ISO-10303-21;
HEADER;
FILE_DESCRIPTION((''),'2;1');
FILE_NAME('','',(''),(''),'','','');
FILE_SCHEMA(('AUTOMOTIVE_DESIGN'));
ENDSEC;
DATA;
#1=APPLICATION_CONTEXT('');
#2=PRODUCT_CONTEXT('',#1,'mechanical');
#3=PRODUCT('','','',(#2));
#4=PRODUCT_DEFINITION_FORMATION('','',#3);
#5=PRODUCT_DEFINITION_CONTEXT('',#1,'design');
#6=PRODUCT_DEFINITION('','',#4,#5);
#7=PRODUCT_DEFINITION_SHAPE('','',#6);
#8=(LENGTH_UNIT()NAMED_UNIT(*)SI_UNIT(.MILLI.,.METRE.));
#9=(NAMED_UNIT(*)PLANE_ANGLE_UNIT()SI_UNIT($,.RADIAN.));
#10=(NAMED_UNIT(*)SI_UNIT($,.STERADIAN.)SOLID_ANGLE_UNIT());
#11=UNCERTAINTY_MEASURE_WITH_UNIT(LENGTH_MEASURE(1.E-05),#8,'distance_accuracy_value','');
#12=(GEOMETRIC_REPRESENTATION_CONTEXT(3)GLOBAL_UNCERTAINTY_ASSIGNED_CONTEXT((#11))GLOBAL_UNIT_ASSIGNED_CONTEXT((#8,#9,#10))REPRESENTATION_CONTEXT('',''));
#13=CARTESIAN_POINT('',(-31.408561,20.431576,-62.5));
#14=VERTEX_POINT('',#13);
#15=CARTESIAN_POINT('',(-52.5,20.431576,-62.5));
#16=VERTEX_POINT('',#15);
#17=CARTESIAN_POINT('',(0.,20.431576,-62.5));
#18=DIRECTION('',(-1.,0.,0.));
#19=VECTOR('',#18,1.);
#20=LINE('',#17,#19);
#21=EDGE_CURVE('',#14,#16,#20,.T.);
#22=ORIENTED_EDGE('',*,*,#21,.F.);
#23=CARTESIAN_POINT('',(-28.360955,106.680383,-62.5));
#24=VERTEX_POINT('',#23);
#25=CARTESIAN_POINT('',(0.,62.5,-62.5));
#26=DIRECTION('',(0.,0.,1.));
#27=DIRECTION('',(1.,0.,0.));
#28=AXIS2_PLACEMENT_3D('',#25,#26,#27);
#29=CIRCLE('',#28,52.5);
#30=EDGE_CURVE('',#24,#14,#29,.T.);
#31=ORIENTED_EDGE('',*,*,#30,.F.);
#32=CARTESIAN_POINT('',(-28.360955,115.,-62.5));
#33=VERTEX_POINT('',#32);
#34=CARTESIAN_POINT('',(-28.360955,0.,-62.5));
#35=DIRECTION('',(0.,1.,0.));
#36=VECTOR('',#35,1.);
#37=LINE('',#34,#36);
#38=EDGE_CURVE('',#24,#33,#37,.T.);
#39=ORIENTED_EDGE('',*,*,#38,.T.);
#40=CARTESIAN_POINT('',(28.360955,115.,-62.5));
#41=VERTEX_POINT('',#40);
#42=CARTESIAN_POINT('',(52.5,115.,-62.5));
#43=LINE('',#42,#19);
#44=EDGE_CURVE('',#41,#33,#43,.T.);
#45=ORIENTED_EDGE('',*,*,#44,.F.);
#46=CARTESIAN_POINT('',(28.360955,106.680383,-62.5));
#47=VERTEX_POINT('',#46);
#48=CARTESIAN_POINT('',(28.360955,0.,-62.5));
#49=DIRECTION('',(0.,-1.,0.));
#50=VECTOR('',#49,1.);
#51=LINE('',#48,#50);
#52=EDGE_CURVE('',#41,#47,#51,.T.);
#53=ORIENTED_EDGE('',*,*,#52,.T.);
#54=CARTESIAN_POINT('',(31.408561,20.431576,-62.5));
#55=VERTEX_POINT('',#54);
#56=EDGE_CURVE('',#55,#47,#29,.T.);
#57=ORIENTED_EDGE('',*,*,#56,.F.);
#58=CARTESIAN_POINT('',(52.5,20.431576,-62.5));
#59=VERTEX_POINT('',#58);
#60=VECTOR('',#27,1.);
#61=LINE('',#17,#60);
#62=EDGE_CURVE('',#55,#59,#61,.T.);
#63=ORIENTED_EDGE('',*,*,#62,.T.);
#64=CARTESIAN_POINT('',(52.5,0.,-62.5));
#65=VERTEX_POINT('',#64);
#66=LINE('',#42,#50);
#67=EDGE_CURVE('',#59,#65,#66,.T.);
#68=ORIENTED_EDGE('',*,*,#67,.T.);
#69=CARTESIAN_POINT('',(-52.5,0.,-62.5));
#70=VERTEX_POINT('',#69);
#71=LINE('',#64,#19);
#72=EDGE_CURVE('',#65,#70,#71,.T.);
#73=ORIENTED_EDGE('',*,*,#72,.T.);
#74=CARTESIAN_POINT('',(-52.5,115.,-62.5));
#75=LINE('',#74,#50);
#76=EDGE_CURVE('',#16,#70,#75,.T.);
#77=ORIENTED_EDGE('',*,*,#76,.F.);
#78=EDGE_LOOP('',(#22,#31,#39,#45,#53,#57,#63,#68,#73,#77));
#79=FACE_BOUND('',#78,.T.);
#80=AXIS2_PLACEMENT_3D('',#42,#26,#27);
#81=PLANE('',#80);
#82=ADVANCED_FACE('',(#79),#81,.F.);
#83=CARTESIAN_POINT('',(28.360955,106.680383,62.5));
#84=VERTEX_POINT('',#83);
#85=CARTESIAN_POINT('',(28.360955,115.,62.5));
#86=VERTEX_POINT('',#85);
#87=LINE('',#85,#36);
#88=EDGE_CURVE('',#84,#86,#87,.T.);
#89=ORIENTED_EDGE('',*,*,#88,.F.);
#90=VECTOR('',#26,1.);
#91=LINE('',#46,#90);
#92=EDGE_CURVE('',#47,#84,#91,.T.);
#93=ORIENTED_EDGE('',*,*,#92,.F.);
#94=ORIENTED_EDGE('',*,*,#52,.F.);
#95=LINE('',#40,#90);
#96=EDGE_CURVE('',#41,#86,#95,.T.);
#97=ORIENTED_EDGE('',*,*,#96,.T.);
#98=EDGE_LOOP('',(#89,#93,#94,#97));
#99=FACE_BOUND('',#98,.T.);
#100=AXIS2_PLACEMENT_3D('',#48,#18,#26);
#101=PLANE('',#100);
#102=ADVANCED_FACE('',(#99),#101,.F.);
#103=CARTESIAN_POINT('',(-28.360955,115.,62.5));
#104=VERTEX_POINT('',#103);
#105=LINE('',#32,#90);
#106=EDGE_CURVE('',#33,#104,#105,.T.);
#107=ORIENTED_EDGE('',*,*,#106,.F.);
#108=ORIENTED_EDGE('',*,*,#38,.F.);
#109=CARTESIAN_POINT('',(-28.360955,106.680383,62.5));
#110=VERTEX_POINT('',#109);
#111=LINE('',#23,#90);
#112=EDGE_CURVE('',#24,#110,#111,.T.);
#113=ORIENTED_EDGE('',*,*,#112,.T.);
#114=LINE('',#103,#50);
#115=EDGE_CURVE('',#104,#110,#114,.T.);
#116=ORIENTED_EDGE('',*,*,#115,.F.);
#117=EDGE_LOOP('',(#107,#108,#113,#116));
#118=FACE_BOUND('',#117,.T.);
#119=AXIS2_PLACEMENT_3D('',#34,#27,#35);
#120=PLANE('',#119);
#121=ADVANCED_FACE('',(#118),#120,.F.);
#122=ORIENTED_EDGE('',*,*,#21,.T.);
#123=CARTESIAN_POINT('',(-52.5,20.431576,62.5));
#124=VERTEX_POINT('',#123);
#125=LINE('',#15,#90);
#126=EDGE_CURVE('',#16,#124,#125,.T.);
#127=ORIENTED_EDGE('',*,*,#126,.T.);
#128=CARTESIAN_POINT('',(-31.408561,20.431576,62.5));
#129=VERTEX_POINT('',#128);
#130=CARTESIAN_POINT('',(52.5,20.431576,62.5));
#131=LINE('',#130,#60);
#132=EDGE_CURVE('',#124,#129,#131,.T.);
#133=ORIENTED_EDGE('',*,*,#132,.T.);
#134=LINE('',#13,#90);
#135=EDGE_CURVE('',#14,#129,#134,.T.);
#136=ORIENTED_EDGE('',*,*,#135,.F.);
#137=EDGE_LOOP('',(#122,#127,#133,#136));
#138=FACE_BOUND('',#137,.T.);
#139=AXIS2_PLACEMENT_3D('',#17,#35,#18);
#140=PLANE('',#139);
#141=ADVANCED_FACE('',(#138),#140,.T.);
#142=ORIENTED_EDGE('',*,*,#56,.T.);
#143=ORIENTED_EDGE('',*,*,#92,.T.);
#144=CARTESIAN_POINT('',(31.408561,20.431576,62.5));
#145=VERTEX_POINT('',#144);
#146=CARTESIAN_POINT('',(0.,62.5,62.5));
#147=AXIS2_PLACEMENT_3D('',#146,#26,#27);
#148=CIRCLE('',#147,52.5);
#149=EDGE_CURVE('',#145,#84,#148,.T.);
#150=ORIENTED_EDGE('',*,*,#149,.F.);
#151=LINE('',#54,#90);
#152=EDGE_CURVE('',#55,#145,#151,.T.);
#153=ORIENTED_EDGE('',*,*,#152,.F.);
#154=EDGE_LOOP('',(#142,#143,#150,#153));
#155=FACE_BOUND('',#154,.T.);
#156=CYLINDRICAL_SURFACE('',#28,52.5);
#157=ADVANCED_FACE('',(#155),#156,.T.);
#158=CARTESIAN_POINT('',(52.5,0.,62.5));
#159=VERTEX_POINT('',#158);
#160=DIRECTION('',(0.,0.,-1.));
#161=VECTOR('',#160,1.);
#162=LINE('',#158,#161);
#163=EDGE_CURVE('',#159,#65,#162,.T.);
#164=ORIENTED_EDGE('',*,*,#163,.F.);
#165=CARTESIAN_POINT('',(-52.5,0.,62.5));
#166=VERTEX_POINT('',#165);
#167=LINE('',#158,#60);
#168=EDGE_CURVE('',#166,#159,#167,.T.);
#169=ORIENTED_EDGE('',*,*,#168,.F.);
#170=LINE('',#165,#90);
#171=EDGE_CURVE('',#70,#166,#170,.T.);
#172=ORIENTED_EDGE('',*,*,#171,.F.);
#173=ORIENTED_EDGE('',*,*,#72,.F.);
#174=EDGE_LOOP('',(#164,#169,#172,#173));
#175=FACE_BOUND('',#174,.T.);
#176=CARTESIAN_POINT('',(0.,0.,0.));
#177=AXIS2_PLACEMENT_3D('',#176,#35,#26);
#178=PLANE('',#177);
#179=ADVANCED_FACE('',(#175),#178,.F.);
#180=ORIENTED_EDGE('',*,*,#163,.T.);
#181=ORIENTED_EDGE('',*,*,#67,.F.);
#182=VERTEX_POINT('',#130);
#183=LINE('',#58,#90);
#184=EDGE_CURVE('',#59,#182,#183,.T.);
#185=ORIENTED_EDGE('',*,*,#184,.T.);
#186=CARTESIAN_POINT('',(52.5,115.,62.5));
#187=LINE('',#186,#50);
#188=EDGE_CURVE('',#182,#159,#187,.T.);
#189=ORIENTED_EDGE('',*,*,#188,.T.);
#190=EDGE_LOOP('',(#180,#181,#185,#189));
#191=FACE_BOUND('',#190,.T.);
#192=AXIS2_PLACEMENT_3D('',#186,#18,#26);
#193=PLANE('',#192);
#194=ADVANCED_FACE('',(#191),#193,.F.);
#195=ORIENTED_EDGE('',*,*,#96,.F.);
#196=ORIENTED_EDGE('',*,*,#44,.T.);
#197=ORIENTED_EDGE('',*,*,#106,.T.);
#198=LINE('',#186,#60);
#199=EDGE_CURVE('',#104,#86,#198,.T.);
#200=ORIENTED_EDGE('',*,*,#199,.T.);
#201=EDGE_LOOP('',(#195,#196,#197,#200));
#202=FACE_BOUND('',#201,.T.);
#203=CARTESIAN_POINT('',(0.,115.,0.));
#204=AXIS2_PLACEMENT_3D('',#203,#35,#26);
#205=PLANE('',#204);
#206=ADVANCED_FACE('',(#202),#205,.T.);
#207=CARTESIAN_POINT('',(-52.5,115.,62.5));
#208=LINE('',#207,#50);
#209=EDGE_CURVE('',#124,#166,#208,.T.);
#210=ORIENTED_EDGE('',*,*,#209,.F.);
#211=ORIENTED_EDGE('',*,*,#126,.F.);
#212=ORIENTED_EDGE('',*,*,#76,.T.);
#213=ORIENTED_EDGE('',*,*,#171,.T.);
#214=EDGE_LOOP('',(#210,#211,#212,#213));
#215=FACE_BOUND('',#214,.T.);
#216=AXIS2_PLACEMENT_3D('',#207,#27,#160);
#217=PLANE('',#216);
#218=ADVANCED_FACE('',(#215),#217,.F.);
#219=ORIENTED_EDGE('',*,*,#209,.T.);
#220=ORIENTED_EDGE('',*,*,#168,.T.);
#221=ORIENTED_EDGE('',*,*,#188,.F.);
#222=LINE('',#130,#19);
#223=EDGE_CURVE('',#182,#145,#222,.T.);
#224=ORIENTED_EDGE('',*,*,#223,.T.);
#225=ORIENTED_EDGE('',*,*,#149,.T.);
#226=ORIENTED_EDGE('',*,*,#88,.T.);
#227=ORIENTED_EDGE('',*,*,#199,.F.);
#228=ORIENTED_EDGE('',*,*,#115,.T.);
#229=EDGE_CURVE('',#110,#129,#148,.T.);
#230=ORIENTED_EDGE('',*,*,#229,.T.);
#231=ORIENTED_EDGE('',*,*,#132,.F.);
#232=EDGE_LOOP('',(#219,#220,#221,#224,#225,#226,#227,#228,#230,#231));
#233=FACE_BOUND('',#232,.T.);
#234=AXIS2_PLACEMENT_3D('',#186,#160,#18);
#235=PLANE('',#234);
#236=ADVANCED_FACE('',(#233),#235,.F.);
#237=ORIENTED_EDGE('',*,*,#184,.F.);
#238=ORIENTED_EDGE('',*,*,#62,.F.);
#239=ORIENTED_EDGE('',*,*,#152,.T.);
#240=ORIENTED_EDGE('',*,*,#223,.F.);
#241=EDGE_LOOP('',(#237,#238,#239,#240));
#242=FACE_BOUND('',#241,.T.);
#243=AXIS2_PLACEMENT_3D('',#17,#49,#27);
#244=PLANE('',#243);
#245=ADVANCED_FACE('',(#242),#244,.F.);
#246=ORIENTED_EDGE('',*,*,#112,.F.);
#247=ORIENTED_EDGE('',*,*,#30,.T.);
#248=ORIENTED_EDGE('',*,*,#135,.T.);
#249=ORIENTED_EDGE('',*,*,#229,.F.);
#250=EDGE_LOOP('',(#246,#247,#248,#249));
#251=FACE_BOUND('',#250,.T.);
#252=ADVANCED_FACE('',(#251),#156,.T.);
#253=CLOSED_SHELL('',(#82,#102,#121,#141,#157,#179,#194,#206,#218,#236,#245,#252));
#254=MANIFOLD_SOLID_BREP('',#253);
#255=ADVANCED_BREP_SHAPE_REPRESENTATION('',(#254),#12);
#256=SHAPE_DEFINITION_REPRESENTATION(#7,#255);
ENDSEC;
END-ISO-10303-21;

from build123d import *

# Parameters (mm, degrees)
SKETCH_1_W               = 105
SKETCH_1_H               = 125
EXTRUDE_1_DEPTH          = 115
CUT_EXTRUDE_1_DEPTH      = 1
CUT_EXTRUDE_1_DEPTH_BACK = 126


with BuildPart() as part:
    # Эскиз1 → Бобышка-Вытянуть1 (new body)
    with BuildSketch(Plane(origin=(0, 0, 0), x_dir=(1, 0, 0), z_dir=(0, 1, 0))):
        Rectangle(SKETCH_1_W, SKETCH_1_H)
    extrude(amount=EXTRUDE_1_DEPTH)

    # Эскиз2 → Вырез-Вытянуть1 (cut, two sides)
    with BuildSketch(Plane.XY.offset(62.5)) as cut_extrude_1_sk:
        with BuildLine():
            ThreePointArc((-52.5, 62.5), (-46.071684117, 87.67240399), (-28.360955327, 106.680382671))
            Line((-28.360955327, 106.680382671), (-28.360955327, 115))
            Line((-28.360955327, 115), (-52.5, 115))
            Line((-52.5, 115), (-52.5, 62.5))
        make_face()
        with BuildLine():
            ThreePointArc((-31.408561264, 20.43157622), (-46.931862665, 38.970225951), (-52.5, 62.5))
            Line((-52.5, 62.5), (-52.5, 20.43157622))
            Line((-52.5, 20.43157622), (-31.408561264, 20.43157622))
        make_face()
        with BuildLine():
            Line((52.5, 20.43157622), (52.5, 62.499999878))
            ThreePointArc((52.5, 62.499999878), (46.931862637, 38.970225896), (31.408561264, 20.43157622))
            Line((31.408561264, 20.43157622), (52.5, 20.43157622))
        make_face()
        with BuildLine():
            Line((52.5, 115), (28.360955327, 115))
            Line((28.360955327, 115), (28.360955327, 106.680382671))
            ThreePointArc((28.360955327, 106.680382671), (46.071684146, 87.672403937), (52.5, 62.499999878))
            Line((52.5, 62.499999878), (52.5, 115))
        make_face()
    extrude(amount=CUT_EXTRUDE_1_DEPTH, mode=Mode.SUBTRACT)
    extrude(cut_extrude_1_sk.sketch, amount=-CUT_EXTRUDE_1_DEPTH_BACK, mode=Mode.SUBTRACT)


solid = part.part
